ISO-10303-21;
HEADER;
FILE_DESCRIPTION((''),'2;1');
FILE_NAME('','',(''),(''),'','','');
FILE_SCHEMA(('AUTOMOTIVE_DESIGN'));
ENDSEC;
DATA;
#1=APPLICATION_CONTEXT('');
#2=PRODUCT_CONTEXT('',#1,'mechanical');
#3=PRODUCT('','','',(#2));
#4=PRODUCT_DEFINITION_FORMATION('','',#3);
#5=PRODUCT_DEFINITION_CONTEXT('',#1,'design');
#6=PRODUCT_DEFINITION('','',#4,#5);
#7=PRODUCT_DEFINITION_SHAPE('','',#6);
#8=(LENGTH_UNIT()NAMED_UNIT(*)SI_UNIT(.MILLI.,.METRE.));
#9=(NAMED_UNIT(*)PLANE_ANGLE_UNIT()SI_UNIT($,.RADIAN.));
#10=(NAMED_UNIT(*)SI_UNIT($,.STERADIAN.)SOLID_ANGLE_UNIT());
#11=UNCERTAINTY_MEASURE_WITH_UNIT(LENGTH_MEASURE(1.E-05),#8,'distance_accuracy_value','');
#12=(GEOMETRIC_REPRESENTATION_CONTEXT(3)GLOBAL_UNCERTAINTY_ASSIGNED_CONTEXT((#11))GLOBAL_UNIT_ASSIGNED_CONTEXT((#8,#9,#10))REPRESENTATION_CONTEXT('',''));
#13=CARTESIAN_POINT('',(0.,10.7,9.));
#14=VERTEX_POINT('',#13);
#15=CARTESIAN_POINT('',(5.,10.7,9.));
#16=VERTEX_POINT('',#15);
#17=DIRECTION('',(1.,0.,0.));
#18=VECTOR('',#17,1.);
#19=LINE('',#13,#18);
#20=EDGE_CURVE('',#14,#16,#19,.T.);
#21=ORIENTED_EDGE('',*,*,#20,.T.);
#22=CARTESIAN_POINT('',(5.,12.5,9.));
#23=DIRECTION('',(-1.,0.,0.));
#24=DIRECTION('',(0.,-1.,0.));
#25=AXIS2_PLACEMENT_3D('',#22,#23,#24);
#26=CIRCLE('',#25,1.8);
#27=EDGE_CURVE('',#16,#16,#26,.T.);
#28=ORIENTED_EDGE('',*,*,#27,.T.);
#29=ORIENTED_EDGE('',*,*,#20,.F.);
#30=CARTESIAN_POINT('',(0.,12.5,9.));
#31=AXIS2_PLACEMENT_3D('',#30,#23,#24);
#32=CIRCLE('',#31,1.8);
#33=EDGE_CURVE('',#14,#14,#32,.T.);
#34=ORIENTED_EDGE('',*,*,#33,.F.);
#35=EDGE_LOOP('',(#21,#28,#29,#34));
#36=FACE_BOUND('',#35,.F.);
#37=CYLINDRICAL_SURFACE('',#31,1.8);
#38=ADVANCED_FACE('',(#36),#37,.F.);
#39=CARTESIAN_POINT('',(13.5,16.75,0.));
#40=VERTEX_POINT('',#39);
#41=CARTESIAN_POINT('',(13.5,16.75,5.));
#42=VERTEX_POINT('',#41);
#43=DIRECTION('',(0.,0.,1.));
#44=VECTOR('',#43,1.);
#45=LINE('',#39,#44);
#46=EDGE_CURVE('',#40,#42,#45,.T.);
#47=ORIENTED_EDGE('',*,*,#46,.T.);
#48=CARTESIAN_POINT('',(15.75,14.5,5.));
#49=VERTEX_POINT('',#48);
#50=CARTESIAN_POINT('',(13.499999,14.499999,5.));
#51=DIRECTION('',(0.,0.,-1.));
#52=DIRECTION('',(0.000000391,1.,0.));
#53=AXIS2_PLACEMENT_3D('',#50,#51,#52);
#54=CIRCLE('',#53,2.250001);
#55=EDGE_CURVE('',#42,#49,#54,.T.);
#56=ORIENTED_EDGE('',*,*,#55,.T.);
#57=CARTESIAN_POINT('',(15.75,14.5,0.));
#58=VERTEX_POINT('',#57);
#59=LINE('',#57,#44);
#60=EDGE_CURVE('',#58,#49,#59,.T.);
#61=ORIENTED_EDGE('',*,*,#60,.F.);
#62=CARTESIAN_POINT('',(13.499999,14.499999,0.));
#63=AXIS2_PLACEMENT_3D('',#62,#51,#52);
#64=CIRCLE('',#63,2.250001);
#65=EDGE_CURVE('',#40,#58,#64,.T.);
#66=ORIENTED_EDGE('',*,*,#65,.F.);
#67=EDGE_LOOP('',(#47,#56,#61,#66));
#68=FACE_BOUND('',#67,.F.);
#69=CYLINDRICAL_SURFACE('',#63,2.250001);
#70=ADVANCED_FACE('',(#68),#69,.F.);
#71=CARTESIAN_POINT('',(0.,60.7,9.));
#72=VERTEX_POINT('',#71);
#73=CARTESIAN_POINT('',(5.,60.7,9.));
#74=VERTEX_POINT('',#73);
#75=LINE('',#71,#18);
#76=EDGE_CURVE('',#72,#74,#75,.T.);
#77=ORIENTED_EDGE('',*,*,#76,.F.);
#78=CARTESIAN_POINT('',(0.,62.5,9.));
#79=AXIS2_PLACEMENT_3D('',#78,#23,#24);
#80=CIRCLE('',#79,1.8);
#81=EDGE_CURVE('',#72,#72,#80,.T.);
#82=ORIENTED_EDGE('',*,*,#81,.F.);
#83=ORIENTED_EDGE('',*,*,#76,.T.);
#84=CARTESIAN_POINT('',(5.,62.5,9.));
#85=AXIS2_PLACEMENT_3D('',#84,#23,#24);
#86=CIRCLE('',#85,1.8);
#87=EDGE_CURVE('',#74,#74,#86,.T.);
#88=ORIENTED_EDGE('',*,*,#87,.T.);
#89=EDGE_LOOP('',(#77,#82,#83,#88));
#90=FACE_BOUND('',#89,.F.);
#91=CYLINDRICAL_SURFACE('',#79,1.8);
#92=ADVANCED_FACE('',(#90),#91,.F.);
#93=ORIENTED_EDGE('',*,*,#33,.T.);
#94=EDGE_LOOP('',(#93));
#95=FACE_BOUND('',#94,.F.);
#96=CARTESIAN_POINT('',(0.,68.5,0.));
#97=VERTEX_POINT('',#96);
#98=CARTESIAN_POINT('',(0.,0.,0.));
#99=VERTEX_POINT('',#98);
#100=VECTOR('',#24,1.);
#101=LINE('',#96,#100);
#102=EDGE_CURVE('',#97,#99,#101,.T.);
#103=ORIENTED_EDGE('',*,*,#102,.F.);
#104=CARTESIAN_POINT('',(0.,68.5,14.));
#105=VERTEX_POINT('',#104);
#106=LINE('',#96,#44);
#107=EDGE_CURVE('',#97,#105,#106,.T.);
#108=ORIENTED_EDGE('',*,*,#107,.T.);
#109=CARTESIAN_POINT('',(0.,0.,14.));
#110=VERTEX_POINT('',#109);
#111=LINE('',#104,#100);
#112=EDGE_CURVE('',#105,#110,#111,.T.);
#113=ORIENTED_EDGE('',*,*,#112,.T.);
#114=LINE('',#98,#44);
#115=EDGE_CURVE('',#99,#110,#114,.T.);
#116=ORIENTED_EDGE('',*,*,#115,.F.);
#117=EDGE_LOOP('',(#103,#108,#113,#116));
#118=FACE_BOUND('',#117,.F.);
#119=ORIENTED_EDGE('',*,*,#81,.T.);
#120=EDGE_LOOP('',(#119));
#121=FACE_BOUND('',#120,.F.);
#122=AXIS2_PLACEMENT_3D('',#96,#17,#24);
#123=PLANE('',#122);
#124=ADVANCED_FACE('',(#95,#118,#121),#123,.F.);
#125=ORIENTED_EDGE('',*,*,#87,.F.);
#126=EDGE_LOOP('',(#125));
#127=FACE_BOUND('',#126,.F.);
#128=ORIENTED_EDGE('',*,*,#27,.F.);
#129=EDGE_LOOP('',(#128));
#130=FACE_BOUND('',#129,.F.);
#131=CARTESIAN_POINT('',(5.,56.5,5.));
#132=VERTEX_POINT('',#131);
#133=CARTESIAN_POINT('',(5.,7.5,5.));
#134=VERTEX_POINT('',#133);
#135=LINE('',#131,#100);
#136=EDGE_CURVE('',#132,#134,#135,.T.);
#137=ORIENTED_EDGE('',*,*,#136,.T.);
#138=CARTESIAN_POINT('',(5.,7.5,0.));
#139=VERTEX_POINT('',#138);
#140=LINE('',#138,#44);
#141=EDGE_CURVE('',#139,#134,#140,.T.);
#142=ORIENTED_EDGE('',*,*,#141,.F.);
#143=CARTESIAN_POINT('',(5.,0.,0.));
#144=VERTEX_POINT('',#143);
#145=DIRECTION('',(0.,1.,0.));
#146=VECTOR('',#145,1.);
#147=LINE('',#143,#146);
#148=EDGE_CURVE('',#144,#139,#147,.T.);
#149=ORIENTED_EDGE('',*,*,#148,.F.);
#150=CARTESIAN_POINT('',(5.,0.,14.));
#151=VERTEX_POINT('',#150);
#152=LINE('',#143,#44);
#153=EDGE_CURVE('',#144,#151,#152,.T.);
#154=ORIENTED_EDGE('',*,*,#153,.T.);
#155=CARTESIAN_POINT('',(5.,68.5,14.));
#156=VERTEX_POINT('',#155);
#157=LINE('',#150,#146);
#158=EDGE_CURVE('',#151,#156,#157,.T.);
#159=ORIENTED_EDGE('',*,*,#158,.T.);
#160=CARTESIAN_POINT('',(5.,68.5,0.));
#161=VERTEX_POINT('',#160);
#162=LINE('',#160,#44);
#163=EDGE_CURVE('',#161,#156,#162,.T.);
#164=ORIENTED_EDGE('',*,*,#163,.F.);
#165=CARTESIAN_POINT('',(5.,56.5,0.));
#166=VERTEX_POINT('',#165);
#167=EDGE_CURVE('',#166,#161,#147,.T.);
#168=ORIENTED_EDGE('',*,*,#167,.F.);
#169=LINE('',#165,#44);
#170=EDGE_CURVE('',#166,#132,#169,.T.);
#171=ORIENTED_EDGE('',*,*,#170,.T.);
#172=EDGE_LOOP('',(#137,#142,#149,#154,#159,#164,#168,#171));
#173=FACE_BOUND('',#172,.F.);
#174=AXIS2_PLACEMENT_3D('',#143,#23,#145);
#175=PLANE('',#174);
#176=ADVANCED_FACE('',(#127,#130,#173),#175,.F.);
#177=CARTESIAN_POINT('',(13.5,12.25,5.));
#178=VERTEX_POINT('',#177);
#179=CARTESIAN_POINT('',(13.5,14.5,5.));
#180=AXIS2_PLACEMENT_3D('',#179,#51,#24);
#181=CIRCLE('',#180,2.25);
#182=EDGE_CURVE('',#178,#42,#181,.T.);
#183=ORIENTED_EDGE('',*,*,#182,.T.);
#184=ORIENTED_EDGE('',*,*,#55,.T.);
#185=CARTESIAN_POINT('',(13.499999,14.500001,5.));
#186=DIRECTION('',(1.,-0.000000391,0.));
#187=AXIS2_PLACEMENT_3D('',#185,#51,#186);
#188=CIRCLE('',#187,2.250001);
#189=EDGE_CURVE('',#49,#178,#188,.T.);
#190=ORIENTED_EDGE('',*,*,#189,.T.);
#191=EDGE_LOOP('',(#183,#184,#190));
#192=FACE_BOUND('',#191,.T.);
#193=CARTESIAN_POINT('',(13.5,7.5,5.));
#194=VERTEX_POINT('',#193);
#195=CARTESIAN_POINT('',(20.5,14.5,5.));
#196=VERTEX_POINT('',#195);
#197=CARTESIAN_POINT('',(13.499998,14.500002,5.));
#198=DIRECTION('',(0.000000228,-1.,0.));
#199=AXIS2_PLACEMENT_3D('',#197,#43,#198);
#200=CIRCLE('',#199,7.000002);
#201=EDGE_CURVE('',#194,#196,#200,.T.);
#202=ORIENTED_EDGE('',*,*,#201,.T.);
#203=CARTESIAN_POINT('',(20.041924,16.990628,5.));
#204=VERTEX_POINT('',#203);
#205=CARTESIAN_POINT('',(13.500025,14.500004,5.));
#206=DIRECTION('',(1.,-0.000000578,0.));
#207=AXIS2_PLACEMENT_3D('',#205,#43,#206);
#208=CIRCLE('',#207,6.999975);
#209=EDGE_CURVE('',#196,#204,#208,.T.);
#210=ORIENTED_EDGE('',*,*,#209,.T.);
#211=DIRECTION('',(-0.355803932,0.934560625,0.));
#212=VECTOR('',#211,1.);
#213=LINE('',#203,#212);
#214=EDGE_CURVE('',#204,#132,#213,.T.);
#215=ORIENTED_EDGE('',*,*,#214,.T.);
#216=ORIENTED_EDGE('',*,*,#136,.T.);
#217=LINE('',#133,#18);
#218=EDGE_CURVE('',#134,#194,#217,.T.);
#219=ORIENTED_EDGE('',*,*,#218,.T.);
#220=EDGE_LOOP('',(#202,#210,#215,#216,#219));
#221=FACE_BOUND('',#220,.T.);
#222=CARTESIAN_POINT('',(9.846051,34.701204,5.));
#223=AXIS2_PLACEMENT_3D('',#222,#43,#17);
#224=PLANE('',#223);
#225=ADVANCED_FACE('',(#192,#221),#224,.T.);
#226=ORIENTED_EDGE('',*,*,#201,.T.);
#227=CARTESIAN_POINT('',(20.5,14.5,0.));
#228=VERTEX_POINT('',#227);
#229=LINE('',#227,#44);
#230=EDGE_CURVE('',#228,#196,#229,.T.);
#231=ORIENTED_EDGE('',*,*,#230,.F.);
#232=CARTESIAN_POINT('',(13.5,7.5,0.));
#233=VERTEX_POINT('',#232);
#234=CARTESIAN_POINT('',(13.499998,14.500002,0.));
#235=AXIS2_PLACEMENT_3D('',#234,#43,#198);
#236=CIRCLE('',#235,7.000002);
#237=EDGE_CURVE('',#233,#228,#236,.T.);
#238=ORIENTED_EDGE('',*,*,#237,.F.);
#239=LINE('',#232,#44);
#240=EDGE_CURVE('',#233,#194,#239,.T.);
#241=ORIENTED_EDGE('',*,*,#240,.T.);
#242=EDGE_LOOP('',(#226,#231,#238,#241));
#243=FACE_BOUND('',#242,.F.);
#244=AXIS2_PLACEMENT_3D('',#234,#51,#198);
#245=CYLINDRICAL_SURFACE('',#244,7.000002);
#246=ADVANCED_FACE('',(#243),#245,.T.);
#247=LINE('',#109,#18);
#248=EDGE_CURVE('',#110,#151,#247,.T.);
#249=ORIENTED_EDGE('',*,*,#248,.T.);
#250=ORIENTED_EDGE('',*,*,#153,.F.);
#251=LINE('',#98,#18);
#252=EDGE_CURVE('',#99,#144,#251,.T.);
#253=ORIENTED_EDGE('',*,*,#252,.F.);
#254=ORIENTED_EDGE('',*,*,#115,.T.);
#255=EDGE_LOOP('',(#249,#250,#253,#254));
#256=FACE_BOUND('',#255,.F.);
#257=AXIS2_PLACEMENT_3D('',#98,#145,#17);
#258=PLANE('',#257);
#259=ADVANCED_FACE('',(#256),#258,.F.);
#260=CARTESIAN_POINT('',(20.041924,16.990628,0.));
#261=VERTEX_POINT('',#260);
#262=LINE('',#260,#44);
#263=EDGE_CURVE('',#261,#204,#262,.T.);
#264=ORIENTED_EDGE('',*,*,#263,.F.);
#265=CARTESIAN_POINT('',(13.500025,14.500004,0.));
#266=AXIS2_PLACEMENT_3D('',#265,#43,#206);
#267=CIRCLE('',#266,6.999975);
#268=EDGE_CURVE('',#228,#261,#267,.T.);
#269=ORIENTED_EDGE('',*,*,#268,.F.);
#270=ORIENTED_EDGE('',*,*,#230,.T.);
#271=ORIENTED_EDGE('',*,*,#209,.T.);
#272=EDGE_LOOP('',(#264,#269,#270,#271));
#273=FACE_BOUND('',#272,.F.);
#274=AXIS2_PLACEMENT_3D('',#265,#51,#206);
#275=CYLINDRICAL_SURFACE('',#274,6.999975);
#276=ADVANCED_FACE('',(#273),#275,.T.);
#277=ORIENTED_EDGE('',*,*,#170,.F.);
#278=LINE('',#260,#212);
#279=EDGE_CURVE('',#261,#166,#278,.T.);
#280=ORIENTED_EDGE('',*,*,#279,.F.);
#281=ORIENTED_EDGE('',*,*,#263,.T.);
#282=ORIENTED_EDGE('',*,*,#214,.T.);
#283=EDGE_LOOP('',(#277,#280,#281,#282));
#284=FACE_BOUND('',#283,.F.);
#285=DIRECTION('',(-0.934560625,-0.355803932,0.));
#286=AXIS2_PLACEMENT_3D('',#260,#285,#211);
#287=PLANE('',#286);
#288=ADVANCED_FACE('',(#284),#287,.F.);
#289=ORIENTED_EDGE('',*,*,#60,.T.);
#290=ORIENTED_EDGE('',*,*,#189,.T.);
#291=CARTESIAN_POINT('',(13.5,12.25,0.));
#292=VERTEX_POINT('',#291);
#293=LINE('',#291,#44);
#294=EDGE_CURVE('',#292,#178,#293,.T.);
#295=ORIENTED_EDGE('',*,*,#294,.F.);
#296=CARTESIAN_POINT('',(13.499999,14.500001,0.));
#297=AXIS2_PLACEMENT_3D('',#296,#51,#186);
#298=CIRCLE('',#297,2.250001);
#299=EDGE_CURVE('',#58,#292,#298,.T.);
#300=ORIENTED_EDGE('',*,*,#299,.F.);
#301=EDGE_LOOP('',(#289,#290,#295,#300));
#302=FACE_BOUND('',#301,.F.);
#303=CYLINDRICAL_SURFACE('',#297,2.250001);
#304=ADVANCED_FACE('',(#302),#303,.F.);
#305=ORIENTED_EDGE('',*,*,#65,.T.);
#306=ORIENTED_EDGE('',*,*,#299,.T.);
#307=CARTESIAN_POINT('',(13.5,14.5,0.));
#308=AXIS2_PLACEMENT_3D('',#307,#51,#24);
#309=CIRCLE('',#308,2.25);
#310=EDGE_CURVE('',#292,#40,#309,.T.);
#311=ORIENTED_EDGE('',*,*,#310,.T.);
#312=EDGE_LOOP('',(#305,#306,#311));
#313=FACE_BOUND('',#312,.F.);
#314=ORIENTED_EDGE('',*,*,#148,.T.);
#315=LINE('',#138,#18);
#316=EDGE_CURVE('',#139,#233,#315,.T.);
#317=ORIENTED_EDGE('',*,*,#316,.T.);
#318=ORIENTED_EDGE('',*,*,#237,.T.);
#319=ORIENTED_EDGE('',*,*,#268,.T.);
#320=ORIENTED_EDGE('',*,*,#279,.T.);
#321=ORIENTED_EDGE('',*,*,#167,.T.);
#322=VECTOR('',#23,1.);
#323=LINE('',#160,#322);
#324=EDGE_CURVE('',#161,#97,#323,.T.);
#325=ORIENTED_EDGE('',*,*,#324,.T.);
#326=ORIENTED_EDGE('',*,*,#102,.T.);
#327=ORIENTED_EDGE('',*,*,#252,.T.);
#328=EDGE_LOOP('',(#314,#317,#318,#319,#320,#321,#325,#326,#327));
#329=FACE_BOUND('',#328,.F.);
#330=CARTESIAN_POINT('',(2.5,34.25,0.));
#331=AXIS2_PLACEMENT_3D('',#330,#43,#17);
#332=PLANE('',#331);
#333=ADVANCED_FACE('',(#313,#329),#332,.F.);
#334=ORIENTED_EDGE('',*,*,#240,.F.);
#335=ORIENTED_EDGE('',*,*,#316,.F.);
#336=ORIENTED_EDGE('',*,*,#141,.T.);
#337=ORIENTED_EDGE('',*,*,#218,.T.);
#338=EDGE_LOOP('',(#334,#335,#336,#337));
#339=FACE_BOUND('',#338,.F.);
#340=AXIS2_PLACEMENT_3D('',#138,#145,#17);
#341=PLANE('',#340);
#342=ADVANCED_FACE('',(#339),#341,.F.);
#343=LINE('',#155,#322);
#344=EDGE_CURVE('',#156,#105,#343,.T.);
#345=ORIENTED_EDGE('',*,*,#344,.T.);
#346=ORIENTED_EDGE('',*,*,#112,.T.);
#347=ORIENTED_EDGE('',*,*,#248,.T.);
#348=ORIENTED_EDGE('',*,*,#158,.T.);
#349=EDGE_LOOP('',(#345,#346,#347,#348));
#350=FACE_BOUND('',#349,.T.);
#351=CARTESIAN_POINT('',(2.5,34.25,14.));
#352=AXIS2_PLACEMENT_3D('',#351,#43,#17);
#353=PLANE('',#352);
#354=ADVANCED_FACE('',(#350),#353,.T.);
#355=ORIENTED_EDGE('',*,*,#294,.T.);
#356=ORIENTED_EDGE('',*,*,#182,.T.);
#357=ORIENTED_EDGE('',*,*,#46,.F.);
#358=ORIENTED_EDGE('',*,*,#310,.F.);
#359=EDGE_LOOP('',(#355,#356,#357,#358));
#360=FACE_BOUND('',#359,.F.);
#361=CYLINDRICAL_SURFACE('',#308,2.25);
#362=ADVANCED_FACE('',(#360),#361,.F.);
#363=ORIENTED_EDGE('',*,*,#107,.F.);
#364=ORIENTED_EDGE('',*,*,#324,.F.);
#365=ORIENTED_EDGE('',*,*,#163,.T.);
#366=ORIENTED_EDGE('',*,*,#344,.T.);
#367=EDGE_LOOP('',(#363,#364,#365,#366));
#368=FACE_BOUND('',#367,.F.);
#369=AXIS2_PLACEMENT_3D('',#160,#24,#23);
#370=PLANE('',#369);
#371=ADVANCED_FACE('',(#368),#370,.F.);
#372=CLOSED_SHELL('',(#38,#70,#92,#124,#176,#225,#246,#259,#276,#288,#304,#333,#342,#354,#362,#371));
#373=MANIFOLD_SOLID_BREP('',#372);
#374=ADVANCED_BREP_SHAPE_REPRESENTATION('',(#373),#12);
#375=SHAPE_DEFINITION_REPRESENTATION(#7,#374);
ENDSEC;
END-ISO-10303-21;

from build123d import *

# Parameters (mm, degrees)
F1_DEPTH = 14
F2_R     = 1.8
F3_DEPTH = 25
F4_DEPTH = 5


with BuildPart() as f1:
    # F0 (on Top) → F1 (new body)
    with BuildSketch(Plane.XY):
        Polygon((0, 68.5), (0, 0), (5, 0), (5, 7.5), (5, 21.5), (5, 56.5), (5, 68.5), align=None)
    extrude(amount=F1_DEPTH)

    # F2 (on face) → F3 (cut)
    with BuildSketch(Plane(origin=(0, 0, 0), x_dir=(0, -1, 0), z_dir=(-1, 0, 0))):
        with Locations((-62.5, 9)):
            Circle(F2_R)
        with Locations((-12.5, 9)):
            Circle(F2_R)
    extrude(amount=-F3_DEPTH, mode=Mode.SUBTRACT)

    # F0 (on Top) → F4 (join)
    with BuildSketch(Plane.XY):
        with BuildLine():
            Line((5, 56.5), (5, 21.5))
            Line((5, 21.5), (13.5, 21.5))
            ThreePointArc((13.5, 21.5), (17.472758, 20.263436), (20.041924, 16.990628))
            Line((20.041924, 16.990628), (5, 56.5))
        make_face()
        with BuildLine():
            Line((5, 21.5), (5, 7.5))
            Line((5, 7.5), (13.5, 7.5))
            ThreePointArc((13.5, 7.5), (6.5, 14.5), (13.5, 21.5))
            Line((13.5, 21.5), (5, 21.5))
        make_face()
        with BuildLine():
            Line((13.5, 12.25), (13.5, 7.5))
            ThreePointArc((13.5, 7.5), (18.449747, 9.550253), (20.5, 14.5))
            ThreePointArc((20.5, 14.5), (20.384529, 15.766201), (20.041924, 16.990628))
            ThreePointArc((20.041924, 16.990628), (17.472758, 20.263436), (13.5, 21.5))
            Line((13.5, 21.5), (13.5, 16.75))
            ThreePointArc((13.5, 16.75), (15.09099, 16.09099), (15.75, 14.5))
            ThreePointArc((15.75, 14.5), (15.09099, 12.90901), (13.5, 12.25))
        make_face()
        with BuildLine():
            ThreePointArc((13.5, 21.5), (6.5, 14.5), (13.5, 7.5))
            Line((13.5, 7.5), (13.5, 12.25))
            ThreePointArc((13.5, 12.25), (11.25, 14.5), (13.5, 16.75))
            Line((13.5, 16.75), (13.5, 21.5))
        make_face()
    extrude(amount=F4_DEPTH)


solid = f1.part
